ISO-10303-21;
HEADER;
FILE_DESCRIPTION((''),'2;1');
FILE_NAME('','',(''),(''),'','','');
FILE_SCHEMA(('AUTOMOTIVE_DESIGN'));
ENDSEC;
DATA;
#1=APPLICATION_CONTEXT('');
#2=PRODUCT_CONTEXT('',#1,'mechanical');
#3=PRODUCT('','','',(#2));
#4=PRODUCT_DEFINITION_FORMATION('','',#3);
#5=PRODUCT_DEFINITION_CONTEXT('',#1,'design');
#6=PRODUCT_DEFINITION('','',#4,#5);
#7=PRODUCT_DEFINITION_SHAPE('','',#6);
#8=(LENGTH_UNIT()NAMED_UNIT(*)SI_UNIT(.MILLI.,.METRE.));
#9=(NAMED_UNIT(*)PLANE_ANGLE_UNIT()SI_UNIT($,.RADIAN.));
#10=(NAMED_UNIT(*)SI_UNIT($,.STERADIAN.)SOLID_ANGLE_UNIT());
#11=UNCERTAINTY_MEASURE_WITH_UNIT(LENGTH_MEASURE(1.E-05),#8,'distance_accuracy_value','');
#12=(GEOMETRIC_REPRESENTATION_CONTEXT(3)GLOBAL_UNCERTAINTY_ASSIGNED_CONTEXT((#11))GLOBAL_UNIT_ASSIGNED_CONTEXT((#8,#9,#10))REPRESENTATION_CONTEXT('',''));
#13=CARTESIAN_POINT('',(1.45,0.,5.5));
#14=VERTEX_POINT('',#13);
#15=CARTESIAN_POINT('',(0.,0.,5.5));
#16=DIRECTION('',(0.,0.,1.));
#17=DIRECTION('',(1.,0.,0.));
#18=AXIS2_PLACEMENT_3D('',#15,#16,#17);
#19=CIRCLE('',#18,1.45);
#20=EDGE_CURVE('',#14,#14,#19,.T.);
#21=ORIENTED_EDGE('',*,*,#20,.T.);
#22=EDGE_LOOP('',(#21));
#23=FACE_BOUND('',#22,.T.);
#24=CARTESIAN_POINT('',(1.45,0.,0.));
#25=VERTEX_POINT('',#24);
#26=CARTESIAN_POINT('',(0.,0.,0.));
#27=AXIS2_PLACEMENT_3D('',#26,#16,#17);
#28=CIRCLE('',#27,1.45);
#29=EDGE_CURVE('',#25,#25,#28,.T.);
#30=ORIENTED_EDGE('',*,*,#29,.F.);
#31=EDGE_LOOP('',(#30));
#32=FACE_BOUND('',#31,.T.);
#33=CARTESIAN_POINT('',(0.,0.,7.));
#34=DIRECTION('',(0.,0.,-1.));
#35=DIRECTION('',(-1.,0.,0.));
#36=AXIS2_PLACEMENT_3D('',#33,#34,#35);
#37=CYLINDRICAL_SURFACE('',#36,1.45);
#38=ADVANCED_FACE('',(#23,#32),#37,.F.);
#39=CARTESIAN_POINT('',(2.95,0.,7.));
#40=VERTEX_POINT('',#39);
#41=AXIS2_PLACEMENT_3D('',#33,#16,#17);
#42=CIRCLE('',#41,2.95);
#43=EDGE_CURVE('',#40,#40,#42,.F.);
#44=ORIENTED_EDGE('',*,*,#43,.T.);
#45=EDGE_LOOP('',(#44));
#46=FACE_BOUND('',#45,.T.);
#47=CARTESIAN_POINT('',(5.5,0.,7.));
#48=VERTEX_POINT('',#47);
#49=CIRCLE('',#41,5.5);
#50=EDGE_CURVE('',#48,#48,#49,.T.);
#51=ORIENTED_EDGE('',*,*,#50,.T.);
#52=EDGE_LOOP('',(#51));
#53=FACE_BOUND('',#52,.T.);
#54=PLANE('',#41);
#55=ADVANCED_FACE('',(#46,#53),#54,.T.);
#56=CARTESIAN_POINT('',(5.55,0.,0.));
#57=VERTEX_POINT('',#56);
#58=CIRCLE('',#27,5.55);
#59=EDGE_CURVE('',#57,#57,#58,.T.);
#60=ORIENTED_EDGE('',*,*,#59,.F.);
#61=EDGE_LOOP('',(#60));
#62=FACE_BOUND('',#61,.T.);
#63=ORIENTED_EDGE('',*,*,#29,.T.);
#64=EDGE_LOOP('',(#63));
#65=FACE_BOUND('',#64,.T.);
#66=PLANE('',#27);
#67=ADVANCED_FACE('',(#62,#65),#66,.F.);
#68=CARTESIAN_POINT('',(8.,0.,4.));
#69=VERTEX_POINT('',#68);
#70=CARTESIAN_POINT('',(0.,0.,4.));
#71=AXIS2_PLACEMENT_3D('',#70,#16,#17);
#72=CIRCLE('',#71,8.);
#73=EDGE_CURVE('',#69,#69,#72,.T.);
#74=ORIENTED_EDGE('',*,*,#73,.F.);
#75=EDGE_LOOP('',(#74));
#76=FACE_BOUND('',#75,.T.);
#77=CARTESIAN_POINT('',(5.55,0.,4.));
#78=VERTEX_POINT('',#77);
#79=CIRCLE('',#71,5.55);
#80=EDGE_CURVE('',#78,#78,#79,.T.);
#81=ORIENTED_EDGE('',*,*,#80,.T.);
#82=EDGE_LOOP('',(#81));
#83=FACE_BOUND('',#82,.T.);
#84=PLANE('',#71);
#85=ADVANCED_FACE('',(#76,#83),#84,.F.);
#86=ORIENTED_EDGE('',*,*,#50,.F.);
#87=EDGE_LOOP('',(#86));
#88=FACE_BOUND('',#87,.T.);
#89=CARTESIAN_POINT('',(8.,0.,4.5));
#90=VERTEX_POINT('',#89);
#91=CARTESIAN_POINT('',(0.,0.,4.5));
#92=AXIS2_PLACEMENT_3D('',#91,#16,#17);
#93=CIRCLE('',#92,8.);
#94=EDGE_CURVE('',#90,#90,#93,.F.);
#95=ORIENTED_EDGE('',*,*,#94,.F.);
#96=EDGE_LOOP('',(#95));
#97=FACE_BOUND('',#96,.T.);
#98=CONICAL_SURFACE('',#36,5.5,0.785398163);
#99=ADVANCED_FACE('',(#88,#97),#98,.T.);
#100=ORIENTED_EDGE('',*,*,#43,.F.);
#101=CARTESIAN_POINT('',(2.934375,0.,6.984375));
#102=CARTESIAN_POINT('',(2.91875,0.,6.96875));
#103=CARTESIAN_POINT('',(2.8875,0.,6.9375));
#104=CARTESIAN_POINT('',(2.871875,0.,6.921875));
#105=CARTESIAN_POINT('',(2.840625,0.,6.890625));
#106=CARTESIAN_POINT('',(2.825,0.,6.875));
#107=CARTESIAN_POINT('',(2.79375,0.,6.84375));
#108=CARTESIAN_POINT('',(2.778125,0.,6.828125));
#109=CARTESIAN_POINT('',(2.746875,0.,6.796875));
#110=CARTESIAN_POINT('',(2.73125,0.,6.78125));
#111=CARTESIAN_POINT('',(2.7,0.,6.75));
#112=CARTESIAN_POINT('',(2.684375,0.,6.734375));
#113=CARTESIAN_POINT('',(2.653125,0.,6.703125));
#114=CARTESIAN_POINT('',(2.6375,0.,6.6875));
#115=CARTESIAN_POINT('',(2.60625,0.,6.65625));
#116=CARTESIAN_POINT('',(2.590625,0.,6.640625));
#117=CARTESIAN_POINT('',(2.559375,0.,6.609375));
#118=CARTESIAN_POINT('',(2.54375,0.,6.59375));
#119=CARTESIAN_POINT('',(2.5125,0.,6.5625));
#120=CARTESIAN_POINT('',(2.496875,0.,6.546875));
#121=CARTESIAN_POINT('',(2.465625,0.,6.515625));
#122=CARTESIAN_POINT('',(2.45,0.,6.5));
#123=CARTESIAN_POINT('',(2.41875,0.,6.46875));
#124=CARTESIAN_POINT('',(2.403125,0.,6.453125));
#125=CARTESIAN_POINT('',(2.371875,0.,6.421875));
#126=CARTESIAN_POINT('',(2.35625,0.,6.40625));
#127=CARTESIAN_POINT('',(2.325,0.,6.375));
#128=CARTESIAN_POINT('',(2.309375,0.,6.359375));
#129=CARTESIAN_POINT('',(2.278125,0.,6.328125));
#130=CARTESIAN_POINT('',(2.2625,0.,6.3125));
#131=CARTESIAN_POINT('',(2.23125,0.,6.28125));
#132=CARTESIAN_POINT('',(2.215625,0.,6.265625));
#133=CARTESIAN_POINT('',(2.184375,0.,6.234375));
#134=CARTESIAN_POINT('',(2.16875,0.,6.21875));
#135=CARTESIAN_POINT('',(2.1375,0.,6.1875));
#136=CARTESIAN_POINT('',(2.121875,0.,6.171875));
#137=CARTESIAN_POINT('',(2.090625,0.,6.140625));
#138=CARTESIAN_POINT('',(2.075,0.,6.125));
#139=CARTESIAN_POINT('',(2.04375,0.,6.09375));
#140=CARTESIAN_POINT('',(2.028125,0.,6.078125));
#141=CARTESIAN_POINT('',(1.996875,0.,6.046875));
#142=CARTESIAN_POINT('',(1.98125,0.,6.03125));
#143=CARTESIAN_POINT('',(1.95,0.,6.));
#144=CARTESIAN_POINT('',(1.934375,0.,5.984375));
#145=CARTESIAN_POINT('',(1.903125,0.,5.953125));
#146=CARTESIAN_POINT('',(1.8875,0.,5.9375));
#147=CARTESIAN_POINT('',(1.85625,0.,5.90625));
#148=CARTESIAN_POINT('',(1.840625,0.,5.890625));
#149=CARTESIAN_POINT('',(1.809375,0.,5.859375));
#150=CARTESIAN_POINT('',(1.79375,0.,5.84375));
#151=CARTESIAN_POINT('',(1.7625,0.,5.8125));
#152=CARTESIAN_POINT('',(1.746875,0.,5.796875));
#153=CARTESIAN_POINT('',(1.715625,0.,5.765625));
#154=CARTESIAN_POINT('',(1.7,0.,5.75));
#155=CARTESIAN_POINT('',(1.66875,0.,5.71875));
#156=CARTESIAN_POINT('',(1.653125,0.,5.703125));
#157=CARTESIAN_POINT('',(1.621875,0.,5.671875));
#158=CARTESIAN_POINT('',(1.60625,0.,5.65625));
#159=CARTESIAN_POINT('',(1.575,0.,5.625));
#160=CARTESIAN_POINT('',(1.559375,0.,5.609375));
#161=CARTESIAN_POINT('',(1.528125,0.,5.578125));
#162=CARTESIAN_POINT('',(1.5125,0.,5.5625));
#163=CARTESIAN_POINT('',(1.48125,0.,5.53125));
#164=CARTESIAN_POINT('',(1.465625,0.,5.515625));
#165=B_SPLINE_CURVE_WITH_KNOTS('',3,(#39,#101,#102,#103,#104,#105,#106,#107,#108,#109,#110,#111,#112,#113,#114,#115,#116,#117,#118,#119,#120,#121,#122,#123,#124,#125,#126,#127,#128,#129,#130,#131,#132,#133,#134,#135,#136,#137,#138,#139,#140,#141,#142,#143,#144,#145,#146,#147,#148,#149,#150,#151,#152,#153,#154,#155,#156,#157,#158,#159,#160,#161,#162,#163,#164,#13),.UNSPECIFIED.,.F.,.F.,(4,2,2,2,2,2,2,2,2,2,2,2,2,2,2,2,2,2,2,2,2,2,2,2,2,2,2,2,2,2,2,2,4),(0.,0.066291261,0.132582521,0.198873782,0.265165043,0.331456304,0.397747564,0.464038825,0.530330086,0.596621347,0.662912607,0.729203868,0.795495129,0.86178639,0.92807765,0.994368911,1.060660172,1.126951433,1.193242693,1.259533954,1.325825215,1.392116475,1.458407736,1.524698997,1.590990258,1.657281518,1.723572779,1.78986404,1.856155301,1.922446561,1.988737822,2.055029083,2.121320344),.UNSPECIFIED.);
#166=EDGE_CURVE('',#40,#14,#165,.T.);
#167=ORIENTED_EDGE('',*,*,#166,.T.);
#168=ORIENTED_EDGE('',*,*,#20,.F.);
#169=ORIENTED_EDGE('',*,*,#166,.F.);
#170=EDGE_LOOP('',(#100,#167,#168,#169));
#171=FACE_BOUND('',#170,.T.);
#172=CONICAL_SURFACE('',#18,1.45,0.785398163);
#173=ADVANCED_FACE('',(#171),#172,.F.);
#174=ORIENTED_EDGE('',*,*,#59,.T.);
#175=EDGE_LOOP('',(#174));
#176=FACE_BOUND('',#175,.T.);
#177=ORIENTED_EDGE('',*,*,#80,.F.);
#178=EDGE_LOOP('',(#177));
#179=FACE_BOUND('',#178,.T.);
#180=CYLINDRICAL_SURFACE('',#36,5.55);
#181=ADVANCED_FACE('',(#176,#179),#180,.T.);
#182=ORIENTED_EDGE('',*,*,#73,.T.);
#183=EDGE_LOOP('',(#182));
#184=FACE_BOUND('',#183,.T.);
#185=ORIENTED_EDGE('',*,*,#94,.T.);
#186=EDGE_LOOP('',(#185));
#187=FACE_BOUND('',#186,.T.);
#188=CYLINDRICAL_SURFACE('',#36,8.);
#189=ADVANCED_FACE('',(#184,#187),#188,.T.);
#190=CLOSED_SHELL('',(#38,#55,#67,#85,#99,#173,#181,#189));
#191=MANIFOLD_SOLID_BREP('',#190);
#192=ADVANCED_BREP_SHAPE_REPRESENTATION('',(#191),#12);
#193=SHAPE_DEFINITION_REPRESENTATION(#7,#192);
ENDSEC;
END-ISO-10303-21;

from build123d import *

# Parameters (mm, degrees)
CROQUIS1_R              = 5.55
CROQUIS1_R_2            = 1.45
SALIENTE_EXTRUIR1_DEPTH = 7
CHAFL_N1_SIZE           = 1.5
CROQUIS2_R              = 8
CROQUIS2_R_2            = 5.55
SALIENTE_EXTRUIR2_DEPTH = 3
CHAFL_N2_SIZE           = 2.5


with BuildPart() as part:
    # Croquis1 → Saliente-Extruir1 (new body)
    with BuildSketch(Plane.XY):
        Circle(CROQUIS1_R)
        Circle(CROQUIS1_R_2, mode=Mode.SUBTRACT)
    extrude(amount=SALIENTE_EXTRUIR1_DEPTH)

    # Chaflán1
    chafl_n1_edges = [part.edges().sort_by_distance(p)[0] for p in [
        (-1.45, 0, 7),
    ]]
    chamfer(chafl_n1_edges, length=CHAFL_N1_SIZE)

    # Croquis2 → Saliente-Extruir2 (add)
    with BuildSketch(Plane.XY.offset(4)):
        Circle(CROQUIS2_R)
        Circle(CROQUIS2_R_2, mode=Mode.SUBTRACT)
    extrude(amount=SALIENTE_EXTRUIR2_DEPTH)

    # Chaflán2
    chafl_n2_edges = [part.edges().sort_by_distance(p)[0] for p in [
        (-8, 0, 7),
    ]]
    chamfer(chafl_n2_edges, length=CHAFL_N2_SIZE)


solid = part.part
